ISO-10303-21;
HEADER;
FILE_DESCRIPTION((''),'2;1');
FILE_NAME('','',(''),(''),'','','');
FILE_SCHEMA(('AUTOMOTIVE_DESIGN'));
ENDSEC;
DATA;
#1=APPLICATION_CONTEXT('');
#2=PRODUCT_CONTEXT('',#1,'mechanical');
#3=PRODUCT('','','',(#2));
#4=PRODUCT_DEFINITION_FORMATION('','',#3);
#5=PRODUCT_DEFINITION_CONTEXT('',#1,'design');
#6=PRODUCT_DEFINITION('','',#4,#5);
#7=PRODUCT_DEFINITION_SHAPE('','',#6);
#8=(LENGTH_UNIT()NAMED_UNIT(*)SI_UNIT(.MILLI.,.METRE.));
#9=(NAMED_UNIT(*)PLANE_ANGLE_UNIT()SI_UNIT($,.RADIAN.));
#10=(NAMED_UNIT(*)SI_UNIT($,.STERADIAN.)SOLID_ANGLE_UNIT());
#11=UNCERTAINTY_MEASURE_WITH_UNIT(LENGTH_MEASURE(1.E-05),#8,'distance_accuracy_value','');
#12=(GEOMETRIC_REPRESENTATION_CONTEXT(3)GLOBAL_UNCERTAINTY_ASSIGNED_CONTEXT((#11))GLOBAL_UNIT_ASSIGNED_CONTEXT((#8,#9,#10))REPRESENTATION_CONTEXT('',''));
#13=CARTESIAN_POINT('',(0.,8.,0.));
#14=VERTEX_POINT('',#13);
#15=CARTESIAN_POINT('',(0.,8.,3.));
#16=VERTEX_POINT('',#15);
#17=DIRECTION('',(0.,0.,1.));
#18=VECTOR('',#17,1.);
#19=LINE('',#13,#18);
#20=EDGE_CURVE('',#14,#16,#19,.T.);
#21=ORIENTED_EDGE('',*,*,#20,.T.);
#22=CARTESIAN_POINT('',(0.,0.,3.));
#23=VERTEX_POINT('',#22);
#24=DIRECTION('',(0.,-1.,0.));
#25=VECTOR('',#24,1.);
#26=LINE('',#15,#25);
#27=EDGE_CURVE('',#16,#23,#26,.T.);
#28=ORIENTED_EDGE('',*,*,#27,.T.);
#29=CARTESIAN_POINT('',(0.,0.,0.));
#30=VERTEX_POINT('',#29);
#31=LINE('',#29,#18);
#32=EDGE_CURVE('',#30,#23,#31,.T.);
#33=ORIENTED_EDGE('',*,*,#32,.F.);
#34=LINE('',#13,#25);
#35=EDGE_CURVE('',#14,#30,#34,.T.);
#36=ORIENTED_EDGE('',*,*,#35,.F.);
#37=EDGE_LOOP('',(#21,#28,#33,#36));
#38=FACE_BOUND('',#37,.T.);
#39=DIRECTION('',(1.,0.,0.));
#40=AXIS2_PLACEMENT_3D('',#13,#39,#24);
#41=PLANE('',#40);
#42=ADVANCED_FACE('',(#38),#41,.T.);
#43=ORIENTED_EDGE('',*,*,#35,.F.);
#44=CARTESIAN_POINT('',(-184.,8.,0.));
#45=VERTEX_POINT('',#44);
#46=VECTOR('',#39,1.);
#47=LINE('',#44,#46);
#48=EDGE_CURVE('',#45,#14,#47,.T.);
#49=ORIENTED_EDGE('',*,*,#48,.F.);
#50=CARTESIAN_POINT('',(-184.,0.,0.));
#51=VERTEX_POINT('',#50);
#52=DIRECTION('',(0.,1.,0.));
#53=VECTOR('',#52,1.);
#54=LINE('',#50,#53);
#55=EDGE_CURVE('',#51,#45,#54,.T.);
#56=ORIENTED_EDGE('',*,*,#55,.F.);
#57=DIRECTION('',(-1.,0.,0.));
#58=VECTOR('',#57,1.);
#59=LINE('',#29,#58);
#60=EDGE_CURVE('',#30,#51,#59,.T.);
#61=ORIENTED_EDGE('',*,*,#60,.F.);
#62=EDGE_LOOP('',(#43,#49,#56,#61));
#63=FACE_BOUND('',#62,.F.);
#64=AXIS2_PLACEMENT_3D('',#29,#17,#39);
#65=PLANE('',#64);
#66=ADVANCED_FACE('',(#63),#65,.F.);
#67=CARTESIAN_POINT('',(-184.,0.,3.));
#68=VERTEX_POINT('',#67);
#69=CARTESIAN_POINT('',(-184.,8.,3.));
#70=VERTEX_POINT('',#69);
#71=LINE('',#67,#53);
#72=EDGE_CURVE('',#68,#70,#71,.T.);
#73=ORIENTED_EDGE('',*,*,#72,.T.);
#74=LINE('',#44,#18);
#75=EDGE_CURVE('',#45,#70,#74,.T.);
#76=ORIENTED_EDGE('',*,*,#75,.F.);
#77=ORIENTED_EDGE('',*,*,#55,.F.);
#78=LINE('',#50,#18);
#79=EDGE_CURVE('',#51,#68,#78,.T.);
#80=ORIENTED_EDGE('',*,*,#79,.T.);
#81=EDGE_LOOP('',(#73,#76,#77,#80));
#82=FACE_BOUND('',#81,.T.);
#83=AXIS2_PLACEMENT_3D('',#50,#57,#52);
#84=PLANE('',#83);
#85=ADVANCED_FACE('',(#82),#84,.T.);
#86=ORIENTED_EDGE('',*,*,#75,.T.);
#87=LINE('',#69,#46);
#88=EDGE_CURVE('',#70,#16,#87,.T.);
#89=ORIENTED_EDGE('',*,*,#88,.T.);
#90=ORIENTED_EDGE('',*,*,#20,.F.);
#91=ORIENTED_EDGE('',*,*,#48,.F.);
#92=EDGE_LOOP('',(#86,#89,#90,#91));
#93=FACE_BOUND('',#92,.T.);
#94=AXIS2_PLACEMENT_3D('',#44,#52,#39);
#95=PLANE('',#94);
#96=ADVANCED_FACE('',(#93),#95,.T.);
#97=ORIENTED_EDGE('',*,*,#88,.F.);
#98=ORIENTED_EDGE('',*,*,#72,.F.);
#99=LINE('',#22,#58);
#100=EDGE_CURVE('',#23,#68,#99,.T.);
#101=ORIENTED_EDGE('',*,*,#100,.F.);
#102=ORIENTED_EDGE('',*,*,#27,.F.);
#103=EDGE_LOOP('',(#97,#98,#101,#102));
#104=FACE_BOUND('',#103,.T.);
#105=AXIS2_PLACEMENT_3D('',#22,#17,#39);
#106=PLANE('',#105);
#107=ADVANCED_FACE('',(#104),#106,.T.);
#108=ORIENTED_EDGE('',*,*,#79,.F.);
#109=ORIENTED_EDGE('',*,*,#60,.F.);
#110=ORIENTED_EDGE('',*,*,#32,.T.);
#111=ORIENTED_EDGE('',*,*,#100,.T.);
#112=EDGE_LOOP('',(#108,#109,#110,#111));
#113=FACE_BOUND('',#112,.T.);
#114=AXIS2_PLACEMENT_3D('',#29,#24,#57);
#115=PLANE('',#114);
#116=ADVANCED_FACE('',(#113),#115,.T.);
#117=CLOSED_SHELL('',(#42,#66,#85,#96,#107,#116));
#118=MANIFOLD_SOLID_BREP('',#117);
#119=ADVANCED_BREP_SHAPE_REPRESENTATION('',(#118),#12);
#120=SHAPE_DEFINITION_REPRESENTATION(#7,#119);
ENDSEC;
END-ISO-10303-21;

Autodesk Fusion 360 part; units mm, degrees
sketch "Sketch1" plane through (0, 0, 0) normal (0, 0, 1) x (1, 0, 0)
  line L0 (0, 0) -> (-184, 0)
  line L1 (-184, 0) -> (-184, 8)
  line L2 (-184, 8) -> (0, 8)
  line L3 (0, 8) -> (0, 0)
  dimension "d1" = 184
  dimension "d2" = 8
extrude "Extrude1" add sketch "Sketch1" along normal blind 3
